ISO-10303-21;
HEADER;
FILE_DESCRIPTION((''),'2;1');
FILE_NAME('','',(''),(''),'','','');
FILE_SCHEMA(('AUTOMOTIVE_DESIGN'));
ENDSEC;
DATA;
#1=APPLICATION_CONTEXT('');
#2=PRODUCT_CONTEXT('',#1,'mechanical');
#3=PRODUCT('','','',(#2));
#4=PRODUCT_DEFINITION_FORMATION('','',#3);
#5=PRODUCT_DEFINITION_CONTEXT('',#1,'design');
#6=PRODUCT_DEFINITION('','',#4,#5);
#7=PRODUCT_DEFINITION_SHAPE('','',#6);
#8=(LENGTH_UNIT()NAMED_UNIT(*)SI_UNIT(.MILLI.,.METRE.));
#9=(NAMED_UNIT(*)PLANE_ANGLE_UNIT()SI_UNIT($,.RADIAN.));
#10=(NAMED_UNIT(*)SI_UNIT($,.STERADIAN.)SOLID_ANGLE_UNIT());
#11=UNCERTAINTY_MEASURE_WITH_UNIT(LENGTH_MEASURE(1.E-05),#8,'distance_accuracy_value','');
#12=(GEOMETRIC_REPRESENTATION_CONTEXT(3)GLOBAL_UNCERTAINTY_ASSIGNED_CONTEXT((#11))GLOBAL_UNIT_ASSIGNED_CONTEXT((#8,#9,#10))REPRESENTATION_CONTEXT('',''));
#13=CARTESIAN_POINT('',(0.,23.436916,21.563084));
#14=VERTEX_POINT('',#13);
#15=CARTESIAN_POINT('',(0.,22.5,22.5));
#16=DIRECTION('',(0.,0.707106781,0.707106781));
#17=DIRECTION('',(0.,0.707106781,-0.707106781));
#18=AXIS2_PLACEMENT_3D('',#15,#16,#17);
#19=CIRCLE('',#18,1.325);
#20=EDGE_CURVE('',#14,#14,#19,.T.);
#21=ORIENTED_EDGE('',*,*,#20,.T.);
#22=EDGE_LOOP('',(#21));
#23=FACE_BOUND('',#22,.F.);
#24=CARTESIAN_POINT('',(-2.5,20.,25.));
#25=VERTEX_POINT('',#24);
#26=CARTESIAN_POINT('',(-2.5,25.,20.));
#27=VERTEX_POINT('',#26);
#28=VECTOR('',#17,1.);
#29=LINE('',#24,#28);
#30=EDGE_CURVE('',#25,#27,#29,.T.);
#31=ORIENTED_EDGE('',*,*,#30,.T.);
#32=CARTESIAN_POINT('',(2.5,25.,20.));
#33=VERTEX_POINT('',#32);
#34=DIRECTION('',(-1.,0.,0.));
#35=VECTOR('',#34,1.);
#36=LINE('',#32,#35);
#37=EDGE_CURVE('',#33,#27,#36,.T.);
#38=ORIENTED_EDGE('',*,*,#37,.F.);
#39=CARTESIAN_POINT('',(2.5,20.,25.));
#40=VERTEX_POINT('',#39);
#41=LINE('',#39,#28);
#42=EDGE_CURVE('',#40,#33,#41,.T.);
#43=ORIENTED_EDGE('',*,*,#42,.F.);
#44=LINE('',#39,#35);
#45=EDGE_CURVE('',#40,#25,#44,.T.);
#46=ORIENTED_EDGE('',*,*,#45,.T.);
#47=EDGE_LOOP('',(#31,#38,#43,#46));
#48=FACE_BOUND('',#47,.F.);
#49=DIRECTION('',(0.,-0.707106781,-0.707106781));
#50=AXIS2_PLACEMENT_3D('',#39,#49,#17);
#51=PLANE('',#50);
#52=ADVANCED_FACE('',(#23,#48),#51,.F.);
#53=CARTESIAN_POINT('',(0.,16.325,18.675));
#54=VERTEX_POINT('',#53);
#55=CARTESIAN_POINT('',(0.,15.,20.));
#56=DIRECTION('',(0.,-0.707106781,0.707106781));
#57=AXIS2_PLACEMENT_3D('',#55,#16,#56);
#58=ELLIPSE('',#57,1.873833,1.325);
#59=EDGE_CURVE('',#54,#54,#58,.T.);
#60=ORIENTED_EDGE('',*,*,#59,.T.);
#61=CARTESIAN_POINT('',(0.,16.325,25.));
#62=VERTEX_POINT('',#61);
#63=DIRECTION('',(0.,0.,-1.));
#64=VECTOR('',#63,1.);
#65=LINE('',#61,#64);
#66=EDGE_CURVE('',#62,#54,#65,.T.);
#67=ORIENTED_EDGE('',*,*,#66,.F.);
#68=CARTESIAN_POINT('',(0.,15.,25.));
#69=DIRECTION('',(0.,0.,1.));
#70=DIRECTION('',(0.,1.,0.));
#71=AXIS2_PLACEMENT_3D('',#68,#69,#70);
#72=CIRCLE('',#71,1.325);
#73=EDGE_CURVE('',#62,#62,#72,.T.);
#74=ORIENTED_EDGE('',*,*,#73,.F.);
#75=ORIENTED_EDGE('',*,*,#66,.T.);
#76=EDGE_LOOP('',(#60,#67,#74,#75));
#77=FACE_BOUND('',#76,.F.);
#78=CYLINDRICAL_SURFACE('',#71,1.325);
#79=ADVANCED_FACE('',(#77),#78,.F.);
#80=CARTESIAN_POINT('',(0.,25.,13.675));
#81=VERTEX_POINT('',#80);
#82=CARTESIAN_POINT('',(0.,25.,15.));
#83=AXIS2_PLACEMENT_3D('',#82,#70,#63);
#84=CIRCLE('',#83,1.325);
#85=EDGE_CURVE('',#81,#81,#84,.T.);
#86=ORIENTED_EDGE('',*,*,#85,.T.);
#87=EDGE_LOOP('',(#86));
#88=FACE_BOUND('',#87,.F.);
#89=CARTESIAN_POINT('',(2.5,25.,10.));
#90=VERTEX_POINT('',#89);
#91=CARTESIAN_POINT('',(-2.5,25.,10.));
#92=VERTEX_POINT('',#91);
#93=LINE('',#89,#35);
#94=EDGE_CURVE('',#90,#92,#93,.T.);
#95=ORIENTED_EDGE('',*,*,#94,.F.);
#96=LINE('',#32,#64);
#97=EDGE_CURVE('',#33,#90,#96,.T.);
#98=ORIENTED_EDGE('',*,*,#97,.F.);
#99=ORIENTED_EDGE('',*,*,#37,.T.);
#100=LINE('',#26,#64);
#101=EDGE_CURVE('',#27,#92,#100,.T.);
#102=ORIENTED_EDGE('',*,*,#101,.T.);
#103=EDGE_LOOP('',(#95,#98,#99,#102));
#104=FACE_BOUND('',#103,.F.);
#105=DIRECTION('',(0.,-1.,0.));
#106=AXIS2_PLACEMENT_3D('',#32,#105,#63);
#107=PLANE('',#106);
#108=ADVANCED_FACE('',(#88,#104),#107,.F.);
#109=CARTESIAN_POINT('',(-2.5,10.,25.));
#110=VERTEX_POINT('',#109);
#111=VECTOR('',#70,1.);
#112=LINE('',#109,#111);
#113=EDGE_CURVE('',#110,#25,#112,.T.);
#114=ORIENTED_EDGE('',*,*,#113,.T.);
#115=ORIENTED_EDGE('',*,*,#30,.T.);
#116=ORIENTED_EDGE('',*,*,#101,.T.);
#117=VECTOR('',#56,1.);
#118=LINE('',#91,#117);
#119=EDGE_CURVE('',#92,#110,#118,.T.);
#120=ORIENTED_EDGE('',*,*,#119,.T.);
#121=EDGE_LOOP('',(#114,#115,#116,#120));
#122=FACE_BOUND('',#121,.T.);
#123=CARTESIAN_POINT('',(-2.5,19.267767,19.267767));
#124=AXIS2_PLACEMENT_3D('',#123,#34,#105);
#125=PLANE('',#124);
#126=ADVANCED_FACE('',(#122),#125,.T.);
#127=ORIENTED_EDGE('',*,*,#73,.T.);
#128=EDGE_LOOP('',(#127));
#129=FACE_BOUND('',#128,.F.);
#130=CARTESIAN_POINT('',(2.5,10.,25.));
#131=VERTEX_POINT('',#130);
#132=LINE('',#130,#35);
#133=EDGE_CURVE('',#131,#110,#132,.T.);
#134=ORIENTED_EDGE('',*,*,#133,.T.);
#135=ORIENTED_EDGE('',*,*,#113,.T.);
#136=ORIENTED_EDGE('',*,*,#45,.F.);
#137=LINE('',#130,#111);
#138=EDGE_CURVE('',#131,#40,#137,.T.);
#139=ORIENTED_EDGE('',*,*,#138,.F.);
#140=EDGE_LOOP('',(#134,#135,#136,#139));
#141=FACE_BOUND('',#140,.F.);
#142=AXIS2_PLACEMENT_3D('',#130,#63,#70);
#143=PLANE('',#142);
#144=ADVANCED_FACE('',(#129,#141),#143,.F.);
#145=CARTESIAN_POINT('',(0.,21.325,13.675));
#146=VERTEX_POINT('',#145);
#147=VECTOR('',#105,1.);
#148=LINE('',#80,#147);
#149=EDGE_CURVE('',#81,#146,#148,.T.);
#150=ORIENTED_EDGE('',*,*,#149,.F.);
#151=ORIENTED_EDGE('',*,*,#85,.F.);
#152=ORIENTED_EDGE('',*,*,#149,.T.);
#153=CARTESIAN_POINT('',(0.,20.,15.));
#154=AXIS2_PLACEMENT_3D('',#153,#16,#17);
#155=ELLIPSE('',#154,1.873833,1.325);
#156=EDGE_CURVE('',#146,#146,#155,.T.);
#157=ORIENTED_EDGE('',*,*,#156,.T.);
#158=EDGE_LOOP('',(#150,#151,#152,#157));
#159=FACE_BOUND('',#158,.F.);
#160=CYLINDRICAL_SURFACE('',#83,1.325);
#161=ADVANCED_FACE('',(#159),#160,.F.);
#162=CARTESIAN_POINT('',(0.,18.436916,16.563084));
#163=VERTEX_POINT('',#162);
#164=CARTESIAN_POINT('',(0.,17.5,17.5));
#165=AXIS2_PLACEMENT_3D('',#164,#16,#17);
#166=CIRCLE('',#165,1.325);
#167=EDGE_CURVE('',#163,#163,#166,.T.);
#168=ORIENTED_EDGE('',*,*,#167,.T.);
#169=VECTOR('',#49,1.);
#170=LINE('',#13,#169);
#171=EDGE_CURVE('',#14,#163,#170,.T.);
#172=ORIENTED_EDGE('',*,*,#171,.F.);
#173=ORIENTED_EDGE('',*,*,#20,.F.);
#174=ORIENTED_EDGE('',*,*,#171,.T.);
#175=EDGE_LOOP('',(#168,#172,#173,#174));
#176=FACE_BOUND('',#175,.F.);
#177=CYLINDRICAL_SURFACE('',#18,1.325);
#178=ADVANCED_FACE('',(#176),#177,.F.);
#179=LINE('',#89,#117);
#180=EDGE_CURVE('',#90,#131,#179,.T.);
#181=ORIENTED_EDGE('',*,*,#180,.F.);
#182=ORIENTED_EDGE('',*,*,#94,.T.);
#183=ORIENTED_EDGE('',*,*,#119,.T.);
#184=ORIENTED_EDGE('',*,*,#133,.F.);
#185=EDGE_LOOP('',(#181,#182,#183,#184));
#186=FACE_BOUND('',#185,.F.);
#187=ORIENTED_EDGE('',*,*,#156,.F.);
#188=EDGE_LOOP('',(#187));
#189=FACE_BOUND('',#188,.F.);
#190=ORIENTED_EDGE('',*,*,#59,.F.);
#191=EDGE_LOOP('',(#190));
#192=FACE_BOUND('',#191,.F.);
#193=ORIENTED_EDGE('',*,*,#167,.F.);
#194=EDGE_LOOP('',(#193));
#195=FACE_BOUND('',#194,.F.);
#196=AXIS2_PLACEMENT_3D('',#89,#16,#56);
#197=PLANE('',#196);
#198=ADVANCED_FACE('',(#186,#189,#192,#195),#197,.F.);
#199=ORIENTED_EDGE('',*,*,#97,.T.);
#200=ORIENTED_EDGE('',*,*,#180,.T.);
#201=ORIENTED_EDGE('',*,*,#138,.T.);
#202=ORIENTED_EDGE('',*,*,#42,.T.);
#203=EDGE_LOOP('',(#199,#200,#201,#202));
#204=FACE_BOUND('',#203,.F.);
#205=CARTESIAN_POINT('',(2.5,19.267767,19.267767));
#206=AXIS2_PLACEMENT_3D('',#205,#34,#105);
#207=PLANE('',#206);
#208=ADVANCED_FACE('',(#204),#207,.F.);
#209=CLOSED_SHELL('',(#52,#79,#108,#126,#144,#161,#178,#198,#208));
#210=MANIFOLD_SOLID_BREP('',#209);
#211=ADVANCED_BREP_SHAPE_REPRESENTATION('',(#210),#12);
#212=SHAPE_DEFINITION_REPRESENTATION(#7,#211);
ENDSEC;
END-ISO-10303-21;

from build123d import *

# Parameters (mm, degrees)
PAD_DEPTH               = 5
SKETCH001_R             = 1.325
HOLE_DEPTH              = 15.0010000001
SKETCH002_R             = 1.325
HOLE001_DEPTH           = 17.6786695297
SKETCH003_R             = 1.325
HOLE002_DEPTH           = 15.001
BODY003_PLACEMENT_ANGLE = 90


with BuildPart() as part:
    # Sketch → Pad (new body)
    with BuildSketch(Plane.XZ.offset(-2.5)):
        Polygon((-10, 25.0000000001), (-19.9999999999, 25.0000000001), (-25, 20), (-25, 10), align=None)
    extrude(amount=PAD_DEPTH)

    # Sketch001 (on Face1 of Pad) → Hole (cut, through all)
    with BuildSketch(Plane(origin=(0, 0, 25.0000000001), x_dir=(-1, 0, 0), z_dir=(0, 0, 1))):
        with Locations((15, 0)):
            Circle(SKETCH001_R)
    extrude(amount=-HOLE_DEPTH, mode=Mode.SUBTRACT)

    # Sketch002 (on Face5 of Hole) → Hole001 (cut, through all)
    with BuildSketch(Plane(origin=(-22.5, 0, 22.5), x_dir=(-0.7071067812, 0, -0.7071067812), z_dir=(-0.7071067812, 0, 0.7071067812))):
        Circle(SKETCH002_R)
    extrude(amount=-HOLE001_DEPTH, mode=Mode.SUBTRACT)

    # Sketch003 (on Face7 of Hole001) → Hole002 (cut, through all)
    with BuildSketch(Plane(origin=(-25, 0, 0), x_dir=(0, 0, -1), z_dir=(-1, 0, 0))):
        with Locations((-15, 0)):
            Circle(SKETCH003_R)
    extrude(amount=-HOLE002_DEPTH, mode=Mode.SUBTRACT)


with BuildPart() as part_1:
    # Body003 placement: moved
    add(part.part.rotate(Axis((0, 0, 0), (0, 0, -1)), BODY003_PLACEMENT_ANGLE))


solid = part_1.part
